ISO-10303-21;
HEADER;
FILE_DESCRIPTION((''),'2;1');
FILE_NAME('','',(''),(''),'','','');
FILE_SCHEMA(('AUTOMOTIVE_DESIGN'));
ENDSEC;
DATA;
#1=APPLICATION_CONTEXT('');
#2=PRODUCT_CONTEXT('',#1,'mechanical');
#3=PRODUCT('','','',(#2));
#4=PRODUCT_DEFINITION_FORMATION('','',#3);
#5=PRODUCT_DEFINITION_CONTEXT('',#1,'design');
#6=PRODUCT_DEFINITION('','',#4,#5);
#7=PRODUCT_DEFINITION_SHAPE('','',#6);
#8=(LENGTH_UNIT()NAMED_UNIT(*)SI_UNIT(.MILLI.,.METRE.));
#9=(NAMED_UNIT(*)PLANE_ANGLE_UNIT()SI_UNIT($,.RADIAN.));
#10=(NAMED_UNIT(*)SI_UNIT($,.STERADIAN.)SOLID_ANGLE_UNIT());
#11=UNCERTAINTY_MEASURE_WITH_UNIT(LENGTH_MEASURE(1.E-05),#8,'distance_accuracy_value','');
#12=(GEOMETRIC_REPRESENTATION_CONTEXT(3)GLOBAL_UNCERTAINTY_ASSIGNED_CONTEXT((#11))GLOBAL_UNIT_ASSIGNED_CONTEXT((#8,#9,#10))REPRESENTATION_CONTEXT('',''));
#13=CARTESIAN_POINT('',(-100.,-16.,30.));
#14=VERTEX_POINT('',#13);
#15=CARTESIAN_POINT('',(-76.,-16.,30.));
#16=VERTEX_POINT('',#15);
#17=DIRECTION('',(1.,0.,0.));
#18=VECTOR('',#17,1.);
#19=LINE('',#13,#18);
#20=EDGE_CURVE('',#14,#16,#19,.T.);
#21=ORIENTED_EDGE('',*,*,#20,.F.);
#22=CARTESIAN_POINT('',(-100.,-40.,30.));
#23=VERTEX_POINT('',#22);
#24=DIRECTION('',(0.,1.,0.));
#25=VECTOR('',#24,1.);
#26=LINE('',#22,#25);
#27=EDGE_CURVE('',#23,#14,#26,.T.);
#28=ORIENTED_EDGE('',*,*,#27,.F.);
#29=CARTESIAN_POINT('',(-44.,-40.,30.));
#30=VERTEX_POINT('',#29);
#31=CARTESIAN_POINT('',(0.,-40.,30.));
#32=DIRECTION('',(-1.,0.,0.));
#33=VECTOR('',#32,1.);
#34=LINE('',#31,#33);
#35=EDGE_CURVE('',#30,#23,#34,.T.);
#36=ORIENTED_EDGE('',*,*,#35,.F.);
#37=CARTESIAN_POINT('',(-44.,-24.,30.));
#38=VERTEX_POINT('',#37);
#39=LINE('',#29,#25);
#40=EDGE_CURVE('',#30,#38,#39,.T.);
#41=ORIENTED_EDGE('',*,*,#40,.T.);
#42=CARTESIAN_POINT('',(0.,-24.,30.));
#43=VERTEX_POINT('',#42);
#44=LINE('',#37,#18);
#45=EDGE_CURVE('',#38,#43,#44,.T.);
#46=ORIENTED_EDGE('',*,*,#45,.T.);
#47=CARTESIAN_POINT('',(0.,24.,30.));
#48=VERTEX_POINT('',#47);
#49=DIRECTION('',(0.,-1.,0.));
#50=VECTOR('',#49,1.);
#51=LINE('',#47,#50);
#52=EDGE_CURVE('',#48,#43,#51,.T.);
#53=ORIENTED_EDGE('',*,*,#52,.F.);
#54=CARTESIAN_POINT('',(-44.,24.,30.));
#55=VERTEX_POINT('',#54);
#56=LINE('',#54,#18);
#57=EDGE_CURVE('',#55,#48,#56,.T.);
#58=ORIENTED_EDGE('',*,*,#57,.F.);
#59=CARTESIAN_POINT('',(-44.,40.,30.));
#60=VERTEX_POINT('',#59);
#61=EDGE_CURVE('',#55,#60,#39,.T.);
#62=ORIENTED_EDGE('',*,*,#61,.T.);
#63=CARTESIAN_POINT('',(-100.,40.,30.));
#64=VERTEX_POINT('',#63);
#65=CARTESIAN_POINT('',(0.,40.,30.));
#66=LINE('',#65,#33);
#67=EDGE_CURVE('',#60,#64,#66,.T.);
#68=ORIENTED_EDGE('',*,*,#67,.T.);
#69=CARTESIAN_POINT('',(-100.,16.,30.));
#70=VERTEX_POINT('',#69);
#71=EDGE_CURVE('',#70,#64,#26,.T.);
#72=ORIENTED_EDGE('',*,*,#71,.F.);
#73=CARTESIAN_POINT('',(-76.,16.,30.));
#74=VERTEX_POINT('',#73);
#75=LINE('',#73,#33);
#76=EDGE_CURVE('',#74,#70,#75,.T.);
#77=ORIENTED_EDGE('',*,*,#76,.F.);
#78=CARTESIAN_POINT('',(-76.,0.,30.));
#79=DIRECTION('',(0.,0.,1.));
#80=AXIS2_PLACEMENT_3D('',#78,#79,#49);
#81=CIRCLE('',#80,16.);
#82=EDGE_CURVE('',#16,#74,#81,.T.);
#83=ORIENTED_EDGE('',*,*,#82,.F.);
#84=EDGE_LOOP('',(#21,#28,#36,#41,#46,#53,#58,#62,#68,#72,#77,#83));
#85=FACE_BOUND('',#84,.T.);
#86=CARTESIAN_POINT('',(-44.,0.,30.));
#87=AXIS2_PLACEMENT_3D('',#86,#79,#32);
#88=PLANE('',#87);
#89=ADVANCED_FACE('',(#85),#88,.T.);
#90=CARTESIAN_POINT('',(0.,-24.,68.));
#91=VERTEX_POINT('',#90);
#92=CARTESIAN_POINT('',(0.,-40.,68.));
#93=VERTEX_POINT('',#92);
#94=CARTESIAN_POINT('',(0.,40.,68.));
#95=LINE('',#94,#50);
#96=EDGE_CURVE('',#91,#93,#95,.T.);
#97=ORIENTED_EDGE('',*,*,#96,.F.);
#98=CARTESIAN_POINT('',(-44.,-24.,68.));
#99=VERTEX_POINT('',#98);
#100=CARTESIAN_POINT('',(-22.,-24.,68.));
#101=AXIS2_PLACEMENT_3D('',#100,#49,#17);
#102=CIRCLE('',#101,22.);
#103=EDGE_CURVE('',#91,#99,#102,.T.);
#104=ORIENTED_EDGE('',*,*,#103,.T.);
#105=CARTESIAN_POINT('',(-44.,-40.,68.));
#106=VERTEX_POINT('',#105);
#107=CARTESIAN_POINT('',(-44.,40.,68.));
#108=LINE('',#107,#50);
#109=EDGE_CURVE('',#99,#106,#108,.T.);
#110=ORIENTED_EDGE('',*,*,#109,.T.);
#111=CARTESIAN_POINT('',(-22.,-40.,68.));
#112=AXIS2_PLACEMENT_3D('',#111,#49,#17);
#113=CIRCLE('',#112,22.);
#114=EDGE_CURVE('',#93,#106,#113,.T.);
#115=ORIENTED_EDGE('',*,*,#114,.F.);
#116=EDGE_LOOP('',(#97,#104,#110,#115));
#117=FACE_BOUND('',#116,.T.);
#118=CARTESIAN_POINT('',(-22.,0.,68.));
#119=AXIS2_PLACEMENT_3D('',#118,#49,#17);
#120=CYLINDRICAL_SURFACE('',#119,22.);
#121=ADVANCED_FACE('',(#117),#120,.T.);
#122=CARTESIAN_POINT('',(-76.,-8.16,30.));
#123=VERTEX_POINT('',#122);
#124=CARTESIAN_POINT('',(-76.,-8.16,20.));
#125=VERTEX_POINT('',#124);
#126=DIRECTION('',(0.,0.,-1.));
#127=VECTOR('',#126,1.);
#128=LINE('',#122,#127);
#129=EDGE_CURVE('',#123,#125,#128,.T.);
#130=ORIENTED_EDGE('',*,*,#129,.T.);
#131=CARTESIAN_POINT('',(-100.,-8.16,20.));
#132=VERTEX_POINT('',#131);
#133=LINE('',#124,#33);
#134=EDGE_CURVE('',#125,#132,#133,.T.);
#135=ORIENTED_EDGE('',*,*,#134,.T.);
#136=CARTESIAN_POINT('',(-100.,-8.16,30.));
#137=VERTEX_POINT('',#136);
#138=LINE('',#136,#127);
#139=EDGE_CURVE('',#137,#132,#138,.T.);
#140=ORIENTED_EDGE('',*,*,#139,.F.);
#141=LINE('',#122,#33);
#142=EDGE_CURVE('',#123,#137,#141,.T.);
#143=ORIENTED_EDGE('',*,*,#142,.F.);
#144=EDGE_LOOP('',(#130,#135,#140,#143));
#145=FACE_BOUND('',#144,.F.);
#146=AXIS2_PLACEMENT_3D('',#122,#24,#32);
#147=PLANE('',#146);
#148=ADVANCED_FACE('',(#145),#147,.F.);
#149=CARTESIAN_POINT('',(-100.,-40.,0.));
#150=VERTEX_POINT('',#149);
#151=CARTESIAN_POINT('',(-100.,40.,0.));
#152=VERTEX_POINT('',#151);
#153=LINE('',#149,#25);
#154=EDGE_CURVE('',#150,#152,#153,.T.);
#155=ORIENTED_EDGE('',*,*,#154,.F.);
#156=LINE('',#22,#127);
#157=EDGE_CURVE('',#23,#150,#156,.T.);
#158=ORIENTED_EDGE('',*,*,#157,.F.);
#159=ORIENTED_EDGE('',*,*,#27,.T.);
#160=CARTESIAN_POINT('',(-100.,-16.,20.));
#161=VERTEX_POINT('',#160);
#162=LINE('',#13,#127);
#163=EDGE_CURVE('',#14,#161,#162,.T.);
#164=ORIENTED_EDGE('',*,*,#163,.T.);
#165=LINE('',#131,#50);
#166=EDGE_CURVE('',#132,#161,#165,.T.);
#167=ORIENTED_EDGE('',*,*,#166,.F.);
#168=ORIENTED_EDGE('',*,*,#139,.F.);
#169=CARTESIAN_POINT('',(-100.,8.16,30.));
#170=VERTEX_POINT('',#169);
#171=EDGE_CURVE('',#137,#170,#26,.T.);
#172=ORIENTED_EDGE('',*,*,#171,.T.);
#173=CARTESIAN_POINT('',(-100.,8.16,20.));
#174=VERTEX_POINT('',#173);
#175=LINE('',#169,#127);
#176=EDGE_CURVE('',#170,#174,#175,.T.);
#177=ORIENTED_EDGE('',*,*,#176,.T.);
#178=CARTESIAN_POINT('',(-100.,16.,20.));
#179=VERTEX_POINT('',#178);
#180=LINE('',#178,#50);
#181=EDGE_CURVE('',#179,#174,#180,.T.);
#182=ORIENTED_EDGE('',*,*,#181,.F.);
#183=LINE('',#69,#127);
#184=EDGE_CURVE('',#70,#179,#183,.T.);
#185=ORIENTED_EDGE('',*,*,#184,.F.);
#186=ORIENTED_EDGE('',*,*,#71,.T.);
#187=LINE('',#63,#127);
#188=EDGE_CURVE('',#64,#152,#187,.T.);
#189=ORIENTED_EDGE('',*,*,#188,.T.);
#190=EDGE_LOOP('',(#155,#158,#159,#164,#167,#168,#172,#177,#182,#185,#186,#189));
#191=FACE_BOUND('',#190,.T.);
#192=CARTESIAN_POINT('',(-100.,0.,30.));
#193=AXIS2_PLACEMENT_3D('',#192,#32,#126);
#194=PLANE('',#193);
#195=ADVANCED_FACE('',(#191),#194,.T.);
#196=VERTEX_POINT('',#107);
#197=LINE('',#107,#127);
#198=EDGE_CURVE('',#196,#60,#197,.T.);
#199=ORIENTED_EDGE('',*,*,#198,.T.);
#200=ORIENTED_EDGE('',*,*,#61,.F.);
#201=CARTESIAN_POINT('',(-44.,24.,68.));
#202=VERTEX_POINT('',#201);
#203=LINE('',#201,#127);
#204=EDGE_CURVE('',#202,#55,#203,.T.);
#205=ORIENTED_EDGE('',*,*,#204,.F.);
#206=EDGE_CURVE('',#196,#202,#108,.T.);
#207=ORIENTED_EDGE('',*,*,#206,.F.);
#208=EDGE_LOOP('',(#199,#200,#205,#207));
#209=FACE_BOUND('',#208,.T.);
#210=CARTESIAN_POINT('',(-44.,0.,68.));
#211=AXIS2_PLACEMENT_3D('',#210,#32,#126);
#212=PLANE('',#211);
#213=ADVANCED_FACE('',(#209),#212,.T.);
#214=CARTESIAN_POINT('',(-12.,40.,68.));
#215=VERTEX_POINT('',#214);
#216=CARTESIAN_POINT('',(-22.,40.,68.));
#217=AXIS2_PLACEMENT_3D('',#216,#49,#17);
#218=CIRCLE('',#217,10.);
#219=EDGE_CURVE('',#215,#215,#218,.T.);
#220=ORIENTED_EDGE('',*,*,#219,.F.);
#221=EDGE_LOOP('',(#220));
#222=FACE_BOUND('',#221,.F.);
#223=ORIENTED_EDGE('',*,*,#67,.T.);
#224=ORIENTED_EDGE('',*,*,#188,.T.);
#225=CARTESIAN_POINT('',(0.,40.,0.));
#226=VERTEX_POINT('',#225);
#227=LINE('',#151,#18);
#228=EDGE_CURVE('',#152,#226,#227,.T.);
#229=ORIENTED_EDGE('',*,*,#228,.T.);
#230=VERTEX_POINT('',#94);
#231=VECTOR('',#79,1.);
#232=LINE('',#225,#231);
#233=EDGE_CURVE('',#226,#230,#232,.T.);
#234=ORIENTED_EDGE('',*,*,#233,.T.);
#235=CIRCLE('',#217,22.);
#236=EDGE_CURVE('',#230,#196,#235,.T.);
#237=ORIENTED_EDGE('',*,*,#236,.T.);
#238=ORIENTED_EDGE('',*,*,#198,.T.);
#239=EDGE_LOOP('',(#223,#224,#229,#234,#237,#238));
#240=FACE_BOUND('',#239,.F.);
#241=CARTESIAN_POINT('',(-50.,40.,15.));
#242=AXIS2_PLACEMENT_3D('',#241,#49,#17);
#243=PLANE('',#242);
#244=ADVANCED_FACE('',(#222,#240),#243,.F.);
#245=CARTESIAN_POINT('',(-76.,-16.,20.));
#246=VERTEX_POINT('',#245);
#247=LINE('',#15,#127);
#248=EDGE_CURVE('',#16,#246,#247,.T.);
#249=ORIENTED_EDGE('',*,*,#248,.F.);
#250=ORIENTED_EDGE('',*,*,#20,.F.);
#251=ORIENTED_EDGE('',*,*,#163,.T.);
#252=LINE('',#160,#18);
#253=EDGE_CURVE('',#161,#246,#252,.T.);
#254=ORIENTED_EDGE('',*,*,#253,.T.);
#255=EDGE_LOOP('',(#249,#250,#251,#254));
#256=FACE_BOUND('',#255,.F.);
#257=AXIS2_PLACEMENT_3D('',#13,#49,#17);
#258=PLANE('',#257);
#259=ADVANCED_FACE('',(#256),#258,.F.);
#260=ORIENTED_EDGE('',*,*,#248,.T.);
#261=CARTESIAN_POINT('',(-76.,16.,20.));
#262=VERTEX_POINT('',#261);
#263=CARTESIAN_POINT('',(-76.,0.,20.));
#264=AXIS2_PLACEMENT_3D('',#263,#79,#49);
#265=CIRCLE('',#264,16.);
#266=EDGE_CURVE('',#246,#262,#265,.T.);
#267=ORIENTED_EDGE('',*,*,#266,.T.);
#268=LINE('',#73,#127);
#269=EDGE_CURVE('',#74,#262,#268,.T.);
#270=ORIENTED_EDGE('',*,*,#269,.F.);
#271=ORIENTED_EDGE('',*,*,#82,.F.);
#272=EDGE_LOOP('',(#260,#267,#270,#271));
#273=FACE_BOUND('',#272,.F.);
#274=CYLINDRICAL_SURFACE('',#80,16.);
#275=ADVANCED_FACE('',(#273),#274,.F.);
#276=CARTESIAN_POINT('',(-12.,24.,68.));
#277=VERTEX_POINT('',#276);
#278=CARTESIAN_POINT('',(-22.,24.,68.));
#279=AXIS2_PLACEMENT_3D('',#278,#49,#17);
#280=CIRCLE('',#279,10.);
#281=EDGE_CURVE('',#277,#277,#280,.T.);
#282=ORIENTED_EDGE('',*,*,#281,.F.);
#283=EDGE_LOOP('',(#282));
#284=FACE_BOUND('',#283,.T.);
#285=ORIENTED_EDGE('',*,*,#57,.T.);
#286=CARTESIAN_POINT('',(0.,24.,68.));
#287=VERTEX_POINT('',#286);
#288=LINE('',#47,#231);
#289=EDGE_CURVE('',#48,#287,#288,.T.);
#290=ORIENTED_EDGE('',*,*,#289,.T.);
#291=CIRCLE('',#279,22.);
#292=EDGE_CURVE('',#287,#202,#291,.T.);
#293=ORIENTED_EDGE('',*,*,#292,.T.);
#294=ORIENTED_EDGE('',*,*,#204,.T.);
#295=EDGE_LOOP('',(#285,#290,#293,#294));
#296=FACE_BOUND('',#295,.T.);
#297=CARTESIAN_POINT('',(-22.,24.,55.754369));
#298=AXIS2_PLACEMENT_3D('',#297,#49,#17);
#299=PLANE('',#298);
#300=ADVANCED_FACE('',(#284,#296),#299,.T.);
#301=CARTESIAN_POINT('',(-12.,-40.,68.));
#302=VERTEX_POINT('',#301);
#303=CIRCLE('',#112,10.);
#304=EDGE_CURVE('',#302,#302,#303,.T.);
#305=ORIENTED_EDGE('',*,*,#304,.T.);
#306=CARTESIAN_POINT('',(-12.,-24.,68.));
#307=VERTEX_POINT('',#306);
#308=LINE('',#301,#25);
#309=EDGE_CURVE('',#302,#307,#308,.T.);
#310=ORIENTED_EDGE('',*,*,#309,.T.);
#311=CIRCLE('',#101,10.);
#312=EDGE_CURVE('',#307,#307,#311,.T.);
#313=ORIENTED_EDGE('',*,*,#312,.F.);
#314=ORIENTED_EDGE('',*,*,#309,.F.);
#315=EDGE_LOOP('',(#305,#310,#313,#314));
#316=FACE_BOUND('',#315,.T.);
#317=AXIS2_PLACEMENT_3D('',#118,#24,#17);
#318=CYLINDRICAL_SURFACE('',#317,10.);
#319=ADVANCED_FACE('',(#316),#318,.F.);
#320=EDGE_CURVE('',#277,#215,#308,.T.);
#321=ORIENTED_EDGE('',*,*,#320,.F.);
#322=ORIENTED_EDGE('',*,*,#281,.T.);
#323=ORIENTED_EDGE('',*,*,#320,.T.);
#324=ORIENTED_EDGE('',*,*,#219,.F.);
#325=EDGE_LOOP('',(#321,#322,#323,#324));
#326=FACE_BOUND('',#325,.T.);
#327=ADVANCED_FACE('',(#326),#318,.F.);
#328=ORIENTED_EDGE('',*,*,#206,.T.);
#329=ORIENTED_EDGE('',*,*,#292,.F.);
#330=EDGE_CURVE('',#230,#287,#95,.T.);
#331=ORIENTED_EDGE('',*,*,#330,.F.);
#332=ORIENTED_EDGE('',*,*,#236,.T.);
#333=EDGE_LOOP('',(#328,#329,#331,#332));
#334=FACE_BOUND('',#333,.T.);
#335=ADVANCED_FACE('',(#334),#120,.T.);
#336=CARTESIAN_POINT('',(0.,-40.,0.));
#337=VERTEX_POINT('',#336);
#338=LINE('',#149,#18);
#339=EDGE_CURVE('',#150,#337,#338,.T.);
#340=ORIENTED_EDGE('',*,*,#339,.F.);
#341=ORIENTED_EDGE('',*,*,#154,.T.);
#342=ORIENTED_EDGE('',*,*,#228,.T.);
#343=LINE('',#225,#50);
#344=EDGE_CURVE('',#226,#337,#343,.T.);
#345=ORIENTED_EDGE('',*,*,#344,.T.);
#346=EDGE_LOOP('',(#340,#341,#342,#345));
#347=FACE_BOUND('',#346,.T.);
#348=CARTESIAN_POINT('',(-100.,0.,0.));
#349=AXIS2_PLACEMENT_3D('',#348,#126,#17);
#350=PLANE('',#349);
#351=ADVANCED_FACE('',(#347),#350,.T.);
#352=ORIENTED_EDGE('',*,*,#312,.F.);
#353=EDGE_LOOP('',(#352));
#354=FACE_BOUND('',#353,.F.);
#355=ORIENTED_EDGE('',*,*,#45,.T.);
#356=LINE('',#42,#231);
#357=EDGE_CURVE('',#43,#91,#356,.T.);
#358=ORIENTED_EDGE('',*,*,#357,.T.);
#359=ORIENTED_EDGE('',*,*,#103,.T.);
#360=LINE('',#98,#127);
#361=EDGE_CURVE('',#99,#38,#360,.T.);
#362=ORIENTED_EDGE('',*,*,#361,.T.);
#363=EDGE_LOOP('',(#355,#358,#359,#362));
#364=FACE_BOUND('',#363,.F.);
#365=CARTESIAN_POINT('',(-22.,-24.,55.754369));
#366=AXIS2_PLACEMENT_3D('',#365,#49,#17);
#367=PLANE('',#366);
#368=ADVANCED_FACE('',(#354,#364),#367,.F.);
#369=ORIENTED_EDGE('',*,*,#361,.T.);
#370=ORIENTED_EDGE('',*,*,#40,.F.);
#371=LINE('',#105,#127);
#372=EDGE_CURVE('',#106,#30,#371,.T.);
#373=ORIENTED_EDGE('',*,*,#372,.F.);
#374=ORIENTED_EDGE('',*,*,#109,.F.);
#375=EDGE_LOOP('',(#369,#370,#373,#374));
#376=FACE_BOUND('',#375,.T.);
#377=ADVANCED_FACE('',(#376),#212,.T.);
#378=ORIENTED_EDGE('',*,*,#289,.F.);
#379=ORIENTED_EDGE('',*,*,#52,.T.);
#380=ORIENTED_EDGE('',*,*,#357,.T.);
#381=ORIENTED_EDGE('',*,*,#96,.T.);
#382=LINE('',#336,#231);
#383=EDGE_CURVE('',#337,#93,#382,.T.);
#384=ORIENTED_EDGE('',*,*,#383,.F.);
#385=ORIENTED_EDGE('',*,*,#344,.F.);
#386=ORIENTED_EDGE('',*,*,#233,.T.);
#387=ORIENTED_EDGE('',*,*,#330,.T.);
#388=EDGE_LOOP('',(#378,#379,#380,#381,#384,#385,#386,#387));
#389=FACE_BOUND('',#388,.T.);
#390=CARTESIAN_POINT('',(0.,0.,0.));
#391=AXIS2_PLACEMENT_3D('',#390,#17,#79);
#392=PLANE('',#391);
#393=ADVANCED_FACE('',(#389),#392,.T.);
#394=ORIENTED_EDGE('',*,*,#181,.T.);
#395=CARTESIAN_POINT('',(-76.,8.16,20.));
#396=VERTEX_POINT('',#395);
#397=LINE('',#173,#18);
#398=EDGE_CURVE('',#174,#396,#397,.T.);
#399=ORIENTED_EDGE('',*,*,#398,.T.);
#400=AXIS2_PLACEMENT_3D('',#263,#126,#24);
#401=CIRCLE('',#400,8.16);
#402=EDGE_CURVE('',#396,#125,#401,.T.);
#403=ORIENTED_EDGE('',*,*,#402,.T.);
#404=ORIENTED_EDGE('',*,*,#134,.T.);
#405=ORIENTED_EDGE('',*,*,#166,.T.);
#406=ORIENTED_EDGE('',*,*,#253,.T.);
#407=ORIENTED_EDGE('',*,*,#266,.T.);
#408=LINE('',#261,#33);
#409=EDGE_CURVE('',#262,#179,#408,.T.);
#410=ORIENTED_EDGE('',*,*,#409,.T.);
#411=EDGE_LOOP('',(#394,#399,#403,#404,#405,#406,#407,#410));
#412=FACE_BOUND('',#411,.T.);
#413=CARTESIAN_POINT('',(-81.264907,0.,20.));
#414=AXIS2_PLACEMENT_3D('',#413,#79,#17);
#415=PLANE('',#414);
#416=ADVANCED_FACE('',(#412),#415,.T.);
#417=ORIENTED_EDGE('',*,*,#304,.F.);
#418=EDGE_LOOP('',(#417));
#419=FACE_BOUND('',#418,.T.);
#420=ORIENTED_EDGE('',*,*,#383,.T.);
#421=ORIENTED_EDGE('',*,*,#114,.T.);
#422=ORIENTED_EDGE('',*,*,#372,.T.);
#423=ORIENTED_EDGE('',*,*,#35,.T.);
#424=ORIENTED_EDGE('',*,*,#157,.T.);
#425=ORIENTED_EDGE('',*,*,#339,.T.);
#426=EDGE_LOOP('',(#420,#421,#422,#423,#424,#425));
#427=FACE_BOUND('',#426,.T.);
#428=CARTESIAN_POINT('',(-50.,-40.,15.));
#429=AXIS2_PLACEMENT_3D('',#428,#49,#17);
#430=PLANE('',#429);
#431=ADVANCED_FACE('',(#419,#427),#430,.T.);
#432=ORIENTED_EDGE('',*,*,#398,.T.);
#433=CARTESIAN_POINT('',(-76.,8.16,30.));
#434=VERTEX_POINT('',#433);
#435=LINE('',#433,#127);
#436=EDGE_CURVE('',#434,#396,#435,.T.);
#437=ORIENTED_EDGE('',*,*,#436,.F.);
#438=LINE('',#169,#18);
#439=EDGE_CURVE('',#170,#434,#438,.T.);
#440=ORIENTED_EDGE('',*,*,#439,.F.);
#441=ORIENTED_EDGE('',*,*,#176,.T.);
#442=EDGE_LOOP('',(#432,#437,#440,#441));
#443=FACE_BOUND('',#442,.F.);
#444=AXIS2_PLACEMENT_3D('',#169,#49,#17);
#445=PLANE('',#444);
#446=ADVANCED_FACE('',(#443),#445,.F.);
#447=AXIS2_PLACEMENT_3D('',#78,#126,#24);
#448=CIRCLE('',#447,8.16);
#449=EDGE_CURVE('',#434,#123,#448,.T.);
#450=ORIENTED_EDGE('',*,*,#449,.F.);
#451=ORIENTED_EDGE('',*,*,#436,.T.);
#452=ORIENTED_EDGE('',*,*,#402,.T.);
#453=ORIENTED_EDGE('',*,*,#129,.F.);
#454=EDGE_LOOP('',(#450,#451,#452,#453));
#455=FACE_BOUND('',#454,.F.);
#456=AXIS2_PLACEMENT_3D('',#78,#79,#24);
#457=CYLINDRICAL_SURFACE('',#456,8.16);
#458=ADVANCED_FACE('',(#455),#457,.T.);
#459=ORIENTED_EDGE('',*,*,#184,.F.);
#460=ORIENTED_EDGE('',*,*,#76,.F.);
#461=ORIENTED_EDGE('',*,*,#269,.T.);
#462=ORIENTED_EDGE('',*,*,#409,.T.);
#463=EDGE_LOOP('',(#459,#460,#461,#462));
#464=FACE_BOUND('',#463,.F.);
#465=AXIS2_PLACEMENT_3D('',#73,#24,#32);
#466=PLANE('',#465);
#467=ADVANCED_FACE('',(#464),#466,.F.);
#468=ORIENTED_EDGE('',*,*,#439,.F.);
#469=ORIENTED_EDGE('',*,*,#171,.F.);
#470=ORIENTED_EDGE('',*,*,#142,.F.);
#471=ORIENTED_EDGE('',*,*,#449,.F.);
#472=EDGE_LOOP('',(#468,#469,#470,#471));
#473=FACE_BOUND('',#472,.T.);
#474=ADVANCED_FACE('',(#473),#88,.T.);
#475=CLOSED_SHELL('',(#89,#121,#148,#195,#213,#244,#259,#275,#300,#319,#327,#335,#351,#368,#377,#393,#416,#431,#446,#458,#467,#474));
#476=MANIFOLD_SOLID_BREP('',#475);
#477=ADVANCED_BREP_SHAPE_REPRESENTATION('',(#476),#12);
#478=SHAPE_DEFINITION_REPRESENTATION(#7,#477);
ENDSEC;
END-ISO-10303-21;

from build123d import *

# Parameters (mm, degrees)
F0_R     = 10
F1_DEPTH = 40
F2_DEPTH = 24
F4_DEPTH = 10


with BuildPart() as f1:
    # F0 (on Front) → F1 (new body, symmetric)
    with BuildSketch(Plane.XZ):
        Polygon((-100, 0), (0, 0), (0, 30), (-44, 30), (-100, 30), align=None)
        with BuildLine():
            Line((-44, 30), (0, 30))
            Line((0, 30), (0, 68))
            ThreePointArc((0, 68), (-22, 90), (-44, 68))
            Line((-44, 68), (-44, 30))
        make_face()
        with Locations((-22, 68)):
            Circle(F0_R, mode=Mode.SUBTRACT)
    extrude(amount=F1_DEPTH, both=True)

    # F0 (on Front) → F2 (cut, symmetric)
    with BuildSketch(Plane.XZ):
        with BuildLine():
            Line((-44, 30), (0, 30))
            Line((0, 30), (0, 68))
            ThreePointArc((0, 68), (-22, 90), (-44, 68))
            Line((-44, 68), (-44, 30))
        make_face()
        with Locations((-22, 68)):
            Circle(F0_R, mode=Mode.SUBTRACT)
    extrude(amount=F2_DEPTH, both=True, mode=Mode.SUBTRACT)

    # F3 (on face) → F4 (cut)
    with BuildSketch(Plane.XY.offset(30)):
        with BuildLine():
            Line((-100, -16), (-76, -16))
            ThreePointArc((-76, -16), (-60, 0), (-76, 16))
            Line((-76, 16), (-100, 16))
            Line((-100, 16), (-100, 8.16))
            Line((-100, 8.16), (-76, 8.16))
            ThreePointArc((-76, 8.16), (-67.84, 0), (-76, -8.16))
            Line((-76, -8.16), (-100, -8.16))
            Line((-100, -8.16), (-100, -16))
        make_face()
    extrude(amount=-F4_DEPTH, mode=Mode.SUBTRACT)


solid = f1.part
